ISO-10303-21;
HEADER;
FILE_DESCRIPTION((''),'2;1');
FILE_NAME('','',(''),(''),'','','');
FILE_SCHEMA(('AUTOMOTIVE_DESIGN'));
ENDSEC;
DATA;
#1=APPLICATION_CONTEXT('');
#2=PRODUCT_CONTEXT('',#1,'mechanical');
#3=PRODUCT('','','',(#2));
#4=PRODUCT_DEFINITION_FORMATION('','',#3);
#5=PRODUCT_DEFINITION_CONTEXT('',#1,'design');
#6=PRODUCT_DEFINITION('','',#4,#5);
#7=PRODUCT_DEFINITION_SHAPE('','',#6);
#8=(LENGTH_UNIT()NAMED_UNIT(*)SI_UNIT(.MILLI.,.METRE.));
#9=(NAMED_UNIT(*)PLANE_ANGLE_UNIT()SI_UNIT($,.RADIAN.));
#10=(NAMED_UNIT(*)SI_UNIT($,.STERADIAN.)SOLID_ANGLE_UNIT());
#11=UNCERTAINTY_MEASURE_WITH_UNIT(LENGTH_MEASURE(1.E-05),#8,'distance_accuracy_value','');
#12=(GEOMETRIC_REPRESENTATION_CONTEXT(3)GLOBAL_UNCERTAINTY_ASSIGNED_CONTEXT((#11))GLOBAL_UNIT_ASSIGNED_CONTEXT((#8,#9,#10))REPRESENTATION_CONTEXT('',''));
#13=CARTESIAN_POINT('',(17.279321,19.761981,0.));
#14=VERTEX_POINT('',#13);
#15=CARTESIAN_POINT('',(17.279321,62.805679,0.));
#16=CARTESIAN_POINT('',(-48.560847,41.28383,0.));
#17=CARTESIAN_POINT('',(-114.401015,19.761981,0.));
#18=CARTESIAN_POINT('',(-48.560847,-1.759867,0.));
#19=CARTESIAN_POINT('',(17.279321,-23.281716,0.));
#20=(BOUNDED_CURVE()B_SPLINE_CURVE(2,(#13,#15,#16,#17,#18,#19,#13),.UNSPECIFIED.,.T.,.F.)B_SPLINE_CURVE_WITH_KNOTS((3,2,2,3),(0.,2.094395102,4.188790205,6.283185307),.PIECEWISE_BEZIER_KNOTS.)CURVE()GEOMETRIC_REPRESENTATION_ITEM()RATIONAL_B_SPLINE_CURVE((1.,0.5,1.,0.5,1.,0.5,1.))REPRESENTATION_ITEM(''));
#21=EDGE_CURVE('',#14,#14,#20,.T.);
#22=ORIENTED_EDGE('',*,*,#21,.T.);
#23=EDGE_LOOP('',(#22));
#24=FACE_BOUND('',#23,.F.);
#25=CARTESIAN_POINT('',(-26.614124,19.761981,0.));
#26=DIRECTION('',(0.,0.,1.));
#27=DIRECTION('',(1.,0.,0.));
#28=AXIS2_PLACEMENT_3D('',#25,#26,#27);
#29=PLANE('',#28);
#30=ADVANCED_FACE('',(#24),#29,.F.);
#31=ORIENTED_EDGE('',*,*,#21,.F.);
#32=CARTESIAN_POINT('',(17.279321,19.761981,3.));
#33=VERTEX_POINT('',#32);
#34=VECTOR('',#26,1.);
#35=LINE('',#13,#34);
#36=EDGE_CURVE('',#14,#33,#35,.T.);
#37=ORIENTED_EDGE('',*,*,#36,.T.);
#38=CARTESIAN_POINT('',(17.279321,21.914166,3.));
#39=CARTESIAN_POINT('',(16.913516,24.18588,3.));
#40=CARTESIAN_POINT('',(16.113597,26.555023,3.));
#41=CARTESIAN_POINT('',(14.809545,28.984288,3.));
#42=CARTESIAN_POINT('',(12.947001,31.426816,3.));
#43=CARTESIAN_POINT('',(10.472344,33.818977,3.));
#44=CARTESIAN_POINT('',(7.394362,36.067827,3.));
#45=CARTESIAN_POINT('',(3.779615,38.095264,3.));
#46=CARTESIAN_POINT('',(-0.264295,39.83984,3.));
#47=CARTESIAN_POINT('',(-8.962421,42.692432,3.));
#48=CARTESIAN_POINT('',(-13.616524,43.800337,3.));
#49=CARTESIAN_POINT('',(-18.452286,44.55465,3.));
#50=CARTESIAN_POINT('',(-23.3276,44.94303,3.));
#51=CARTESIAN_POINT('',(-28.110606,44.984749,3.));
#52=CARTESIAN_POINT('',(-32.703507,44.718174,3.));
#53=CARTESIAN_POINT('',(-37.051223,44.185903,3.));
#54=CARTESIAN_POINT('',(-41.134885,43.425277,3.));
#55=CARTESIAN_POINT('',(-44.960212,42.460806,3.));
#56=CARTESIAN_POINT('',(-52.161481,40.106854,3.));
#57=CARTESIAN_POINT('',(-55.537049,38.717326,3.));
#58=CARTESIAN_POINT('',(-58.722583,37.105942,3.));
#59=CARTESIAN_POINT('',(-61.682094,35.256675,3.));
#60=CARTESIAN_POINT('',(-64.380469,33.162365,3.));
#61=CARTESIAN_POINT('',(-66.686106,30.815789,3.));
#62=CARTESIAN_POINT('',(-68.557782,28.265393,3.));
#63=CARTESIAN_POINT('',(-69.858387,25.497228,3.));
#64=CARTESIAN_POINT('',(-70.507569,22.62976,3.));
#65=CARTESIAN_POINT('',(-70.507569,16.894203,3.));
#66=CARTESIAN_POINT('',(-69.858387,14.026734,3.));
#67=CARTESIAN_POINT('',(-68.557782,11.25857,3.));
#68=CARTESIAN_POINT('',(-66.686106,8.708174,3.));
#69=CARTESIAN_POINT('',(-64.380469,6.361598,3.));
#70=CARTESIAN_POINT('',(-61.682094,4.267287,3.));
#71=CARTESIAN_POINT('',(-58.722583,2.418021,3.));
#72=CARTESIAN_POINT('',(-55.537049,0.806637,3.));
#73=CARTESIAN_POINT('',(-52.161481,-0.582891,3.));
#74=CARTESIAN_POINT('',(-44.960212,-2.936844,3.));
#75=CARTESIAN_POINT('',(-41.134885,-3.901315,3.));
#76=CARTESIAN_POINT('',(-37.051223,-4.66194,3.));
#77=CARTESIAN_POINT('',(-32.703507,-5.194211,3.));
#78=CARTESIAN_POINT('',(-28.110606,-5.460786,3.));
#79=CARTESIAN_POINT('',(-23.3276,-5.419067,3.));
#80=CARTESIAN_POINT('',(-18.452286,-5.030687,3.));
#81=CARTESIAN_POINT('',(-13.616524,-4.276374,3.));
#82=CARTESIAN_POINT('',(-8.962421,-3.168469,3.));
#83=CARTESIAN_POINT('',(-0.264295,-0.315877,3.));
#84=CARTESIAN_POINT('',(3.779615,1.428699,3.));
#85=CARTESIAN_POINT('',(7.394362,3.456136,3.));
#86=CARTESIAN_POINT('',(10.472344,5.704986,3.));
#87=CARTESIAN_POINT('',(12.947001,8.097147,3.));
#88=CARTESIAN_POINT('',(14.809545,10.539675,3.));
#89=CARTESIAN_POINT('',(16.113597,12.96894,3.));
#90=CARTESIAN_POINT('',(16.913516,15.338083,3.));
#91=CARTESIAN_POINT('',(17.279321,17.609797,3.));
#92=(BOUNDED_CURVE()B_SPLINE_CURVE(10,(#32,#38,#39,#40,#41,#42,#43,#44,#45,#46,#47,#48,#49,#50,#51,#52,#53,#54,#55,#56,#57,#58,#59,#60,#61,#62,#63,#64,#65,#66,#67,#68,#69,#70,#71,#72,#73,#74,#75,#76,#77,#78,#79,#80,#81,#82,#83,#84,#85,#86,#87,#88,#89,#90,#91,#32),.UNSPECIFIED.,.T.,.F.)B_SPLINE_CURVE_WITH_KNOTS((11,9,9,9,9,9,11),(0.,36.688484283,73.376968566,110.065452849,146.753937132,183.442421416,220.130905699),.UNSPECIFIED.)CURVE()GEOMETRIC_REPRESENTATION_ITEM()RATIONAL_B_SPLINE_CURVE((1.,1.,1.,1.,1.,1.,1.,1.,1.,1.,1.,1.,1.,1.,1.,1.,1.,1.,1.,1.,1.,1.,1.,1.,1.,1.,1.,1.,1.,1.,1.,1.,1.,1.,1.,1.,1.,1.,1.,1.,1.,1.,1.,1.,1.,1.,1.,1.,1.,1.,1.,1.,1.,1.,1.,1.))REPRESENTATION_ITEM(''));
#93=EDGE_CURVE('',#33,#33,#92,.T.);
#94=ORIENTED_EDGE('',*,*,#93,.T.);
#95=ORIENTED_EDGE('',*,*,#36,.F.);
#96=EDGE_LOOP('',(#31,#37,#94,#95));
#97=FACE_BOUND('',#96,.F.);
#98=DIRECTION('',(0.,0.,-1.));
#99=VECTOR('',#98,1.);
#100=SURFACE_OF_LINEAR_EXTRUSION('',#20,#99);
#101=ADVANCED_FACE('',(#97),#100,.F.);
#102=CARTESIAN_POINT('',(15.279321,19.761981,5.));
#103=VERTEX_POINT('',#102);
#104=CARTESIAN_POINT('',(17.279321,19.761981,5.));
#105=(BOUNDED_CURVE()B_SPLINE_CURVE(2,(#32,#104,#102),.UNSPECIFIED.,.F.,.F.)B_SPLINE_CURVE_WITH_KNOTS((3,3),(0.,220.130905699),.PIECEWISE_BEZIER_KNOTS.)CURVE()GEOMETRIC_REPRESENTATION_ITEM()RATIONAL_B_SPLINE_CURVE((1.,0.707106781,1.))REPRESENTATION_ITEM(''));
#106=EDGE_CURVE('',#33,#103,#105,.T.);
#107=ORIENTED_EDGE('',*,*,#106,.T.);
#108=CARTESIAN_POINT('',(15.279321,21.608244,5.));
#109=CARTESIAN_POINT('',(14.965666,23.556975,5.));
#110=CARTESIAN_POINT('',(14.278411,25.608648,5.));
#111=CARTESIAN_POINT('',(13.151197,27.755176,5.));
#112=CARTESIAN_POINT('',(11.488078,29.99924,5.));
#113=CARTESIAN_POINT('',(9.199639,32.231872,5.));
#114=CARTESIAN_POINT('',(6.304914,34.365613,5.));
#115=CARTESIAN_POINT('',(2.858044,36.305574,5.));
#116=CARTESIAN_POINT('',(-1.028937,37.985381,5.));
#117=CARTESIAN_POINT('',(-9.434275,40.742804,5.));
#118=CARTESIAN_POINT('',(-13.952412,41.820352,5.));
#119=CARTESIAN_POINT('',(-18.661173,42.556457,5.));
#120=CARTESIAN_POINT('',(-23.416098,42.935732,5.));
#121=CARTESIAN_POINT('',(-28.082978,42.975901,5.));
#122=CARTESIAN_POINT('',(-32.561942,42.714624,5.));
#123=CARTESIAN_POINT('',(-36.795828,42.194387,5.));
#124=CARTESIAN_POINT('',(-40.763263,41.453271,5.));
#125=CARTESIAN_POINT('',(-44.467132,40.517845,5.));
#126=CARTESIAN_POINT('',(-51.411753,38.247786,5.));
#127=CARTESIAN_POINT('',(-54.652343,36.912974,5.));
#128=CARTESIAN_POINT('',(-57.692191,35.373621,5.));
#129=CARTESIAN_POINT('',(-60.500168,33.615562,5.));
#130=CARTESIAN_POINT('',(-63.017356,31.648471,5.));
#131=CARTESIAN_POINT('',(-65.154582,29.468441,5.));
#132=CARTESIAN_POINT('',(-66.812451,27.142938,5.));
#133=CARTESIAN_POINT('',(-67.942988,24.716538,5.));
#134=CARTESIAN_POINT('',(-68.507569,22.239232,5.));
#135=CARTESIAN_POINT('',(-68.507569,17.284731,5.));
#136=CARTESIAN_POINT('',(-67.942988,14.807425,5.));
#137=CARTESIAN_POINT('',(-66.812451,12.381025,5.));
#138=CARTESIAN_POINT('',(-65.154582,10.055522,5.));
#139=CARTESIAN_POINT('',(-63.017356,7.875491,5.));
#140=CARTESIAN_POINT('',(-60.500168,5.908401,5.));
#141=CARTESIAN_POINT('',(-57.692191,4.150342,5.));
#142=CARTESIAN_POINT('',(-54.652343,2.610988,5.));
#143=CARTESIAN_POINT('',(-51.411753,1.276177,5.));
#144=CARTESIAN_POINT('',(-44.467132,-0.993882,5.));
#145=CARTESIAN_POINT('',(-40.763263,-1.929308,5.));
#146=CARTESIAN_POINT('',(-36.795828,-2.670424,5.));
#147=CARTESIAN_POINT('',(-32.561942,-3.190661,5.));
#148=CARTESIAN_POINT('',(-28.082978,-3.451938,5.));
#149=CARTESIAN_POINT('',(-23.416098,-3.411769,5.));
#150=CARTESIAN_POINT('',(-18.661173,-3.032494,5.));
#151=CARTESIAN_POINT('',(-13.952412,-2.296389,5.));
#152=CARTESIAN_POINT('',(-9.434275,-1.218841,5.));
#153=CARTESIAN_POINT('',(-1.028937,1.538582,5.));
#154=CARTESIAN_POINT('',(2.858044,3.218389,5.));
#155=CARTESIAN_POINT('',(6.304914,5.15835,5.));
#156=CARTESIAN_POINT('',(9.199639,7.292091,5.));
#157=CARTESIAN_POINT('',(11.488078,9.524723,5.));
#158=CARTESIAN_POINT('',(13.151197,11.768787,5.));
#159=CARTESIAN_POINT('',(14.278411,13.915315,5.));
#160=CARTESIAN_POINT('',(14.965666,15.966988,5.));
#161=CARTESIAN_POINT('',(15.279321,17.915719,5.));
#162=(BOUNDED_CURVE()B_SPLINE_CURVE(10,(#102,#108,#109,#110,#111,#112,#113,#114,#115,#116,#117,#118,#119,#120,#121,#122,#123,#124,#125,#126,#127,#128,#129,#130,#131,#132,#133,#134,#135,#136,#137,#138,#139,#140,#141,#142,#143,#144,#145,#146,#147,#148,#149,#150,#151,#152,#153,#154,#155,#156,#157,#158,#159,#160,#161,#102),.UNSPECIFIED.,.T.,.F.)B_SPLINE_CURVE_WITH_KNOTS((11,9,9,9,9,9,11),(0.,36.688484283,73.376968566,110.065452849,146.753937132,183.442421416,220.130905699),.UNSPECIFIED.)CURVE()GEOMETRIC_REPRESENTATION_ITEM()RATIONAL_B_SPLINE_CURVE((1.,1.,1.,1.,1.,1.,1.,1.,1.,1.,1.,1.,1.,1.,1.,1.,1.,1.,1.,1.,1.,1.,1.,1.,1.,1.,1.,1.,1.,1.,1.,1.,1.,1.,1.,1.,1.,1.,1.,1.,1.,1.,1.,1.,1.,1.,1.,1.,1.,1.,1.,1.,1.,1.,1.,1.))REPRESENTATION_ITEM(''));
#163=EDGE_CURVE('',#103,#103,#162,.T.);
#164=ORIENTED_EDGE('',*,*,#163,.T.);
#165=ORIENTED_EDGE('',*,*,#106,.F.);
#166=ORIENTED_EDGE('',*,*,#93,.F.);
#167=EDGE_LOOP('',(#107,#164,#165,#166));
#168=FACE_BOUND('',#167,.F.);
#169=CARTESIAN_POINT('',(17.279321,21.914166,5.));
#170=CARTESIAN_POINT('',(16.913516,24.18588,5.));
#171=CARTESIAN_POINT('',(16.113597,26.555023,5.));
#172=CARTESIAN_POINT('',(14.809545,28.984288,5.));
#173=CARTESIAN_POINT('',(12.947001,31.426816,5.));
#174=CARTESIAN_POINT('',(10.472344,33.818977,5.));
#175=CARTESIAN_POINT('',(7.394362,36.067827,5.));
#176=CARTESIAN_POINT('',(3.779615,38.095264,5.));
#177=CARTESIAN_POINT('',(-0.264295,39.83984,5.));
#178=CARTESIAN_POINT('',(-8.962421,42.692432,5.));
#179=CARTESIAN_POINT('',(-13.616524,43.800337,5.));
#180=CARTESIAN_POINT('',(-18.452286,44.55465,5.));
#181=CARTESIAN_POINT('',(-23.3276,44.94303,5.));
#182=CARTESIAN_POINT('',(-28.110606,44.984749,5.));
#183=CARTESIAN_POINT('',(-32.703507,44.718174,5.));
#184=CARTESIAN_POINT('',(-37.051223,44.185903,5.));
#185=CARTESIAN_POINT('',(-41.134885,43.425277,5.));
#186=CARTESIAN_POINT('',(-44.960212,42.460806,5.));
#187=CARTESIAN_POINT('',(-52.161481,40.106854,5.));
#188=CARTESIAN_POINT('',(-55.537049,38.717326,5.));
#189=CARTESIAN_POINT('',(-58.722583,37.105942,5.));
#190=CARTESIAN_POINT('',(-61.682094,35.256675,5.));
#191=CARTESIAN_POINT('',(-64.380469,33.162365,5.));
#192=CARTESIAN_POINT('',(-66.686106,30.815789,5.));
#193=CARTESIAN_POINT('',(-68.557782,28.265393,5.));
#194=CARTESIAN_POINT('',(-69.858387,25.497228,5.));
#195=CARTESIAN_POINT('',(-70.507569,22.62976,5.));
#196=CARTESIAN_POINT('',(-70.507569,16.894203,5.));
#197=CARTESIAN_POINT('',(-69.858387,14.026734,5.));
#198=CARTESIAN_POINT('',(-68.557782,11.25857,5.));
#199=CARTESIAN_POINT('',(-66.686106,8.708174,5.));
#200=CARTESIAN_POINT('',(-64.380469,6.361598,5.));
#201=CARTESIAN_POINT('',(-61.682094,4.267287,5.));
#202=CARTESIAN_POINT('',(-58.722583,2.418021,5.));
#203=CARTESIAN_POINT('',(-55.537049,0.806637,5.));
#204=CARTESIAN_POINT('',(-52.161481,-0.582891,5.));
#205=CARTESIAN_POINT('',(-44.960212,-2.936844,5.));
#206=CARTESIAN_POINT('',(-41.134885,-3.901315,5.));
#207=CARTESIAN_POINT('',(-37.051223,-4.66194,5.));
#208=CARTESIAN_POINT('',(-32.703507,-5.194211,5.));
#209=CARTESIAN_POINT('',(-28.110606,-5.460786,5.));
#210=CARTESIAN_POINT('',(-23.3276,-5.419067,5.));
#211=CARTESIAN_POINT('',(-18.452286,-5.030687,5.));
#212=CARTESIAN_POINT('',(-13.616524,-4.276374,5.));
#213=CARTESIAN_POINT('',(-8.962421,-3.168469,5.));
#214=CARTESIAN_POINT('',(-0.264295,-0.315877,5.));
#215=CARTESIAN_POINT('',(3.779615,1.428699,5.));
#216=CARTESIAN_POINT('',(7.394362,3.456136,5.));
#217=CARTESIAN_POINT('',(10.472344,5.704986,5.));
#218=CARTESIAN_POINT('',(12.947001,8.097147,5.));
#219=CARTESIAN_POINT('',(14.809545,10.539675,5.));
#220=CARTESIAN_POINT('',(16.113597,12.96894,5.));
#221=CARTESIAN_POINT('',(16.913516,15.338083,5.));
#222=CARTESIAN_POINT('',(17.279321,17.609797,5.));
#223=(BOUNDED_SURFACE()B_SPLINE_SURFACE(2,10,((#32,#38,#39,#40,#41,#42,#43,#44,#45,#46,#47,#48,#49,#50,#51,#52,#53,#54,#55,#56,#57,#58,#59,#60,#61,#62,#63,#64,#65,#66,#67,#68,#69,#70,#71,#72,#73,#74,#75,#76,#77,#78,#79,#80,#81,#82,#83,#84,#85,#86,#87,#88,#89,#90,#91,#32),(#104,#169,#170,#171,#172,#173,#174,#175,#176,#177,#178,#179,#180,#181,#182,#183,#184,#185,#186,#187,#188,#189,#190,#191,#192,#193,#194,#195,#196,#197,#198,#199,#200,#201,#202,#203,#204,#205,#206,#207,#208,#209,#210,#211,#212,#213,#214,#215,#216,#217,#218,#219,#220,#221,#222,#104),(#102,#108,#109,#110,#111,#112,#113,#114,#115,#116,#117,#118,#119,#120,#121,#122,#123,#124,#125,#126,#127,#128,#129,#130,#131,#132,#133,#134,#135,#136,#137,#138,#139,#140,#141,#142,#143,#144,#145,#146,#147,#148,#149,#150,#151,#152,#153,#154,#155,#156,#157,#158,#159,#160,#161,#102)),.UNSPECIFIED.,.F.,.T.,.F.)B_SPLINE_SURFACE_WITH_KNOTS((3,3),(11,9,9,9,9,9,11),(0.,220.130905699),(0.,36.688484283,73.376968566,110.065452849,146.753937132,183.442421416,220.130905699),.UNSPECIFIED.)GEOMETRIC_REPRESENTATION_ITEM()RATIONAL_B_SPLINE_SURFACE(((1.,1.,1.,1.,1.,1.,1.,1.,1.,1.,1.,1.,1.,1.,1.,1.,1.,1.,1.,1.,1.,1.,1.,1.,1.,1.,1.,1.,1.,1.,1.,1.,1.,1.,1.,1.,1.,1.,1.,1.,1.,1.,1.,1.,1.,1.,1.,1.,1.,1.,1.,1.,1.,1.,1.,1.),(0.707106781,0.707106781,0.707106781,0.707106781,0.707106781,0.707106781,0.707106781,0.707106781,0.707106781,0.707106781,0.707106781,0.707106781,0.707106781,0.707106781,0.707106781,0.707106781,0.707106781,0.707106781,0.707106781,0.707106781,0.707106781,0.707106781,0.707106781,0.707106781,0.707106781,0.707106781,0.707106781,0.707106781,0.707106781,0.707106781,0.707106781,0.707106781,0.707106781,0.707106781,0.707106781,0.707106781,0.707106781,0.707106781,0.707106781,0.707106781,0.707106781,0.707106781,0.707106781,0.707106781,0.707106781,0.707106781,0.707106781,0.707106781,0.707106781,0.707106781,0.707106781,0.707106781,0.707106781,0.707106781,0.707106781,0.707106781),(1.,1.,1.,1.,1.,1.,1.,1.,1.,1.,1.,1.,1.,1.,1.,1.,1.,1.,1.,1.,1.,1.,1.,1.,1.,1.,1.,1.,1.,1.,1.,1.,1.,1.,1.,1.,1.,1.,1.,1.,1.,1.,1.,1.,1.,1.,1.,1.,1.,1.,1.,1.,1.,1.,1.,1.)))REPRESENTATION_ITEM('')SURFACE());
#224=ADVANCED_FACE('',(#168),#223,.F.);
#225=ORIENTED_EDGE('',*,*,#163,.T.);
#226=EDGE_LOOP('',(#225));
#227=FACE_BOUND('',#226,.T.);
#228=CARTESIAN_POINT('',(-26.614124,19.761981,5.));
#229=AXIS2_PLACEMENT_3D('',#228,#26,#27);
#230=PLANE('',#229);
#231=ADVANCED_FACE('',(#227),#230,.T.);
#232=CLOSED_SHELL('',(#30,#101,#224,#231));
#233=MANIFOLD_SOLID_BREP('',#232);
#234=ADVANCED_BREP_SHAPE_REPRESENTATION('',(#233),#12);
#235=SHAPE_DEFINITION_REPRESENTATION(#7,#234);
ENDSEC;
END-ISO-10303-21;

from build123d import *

# Parameters (mm, degrees)
F1_DEPTH = 5
F2_R     = 2


with BuildPart() as f1:
    # F0 (on Top) → F1 (new body)
    with BuildSketch(Plane.XY):
        with BuildLine():
            add(Edge.make_bspline(
                [(17.2793213278, 19.7619814426), (17.2793213278, 62.8056792364), (-48.560846597, 41.2838303395), (-114.4010145217, 19.7619814426), (-48.560846597, -1.7598674544), (17.2793213278, -23.2817163513), (17.2793213278, 19.7619814426)],
                knots=[0, 0, 0, 2.0943951024, 2.0943951024, 4.1887902048, 4.1887902048, 6.2831853072, 6.2831853072, 6.2831853072], degree=2, weights=[1, 0.5, 1, 0.5, 1, 0.5, 1]))
        make_face()
    extrude(amount=F1_DEPTH)

    # F2
    f2_edges = [f1.edges().sort_by_distance(p)[0] for p in [
        (-70.507569, 19.761983, 5),
    ]]
    fillet(f2_edges, radius=F2_R)


solid = f1.part
